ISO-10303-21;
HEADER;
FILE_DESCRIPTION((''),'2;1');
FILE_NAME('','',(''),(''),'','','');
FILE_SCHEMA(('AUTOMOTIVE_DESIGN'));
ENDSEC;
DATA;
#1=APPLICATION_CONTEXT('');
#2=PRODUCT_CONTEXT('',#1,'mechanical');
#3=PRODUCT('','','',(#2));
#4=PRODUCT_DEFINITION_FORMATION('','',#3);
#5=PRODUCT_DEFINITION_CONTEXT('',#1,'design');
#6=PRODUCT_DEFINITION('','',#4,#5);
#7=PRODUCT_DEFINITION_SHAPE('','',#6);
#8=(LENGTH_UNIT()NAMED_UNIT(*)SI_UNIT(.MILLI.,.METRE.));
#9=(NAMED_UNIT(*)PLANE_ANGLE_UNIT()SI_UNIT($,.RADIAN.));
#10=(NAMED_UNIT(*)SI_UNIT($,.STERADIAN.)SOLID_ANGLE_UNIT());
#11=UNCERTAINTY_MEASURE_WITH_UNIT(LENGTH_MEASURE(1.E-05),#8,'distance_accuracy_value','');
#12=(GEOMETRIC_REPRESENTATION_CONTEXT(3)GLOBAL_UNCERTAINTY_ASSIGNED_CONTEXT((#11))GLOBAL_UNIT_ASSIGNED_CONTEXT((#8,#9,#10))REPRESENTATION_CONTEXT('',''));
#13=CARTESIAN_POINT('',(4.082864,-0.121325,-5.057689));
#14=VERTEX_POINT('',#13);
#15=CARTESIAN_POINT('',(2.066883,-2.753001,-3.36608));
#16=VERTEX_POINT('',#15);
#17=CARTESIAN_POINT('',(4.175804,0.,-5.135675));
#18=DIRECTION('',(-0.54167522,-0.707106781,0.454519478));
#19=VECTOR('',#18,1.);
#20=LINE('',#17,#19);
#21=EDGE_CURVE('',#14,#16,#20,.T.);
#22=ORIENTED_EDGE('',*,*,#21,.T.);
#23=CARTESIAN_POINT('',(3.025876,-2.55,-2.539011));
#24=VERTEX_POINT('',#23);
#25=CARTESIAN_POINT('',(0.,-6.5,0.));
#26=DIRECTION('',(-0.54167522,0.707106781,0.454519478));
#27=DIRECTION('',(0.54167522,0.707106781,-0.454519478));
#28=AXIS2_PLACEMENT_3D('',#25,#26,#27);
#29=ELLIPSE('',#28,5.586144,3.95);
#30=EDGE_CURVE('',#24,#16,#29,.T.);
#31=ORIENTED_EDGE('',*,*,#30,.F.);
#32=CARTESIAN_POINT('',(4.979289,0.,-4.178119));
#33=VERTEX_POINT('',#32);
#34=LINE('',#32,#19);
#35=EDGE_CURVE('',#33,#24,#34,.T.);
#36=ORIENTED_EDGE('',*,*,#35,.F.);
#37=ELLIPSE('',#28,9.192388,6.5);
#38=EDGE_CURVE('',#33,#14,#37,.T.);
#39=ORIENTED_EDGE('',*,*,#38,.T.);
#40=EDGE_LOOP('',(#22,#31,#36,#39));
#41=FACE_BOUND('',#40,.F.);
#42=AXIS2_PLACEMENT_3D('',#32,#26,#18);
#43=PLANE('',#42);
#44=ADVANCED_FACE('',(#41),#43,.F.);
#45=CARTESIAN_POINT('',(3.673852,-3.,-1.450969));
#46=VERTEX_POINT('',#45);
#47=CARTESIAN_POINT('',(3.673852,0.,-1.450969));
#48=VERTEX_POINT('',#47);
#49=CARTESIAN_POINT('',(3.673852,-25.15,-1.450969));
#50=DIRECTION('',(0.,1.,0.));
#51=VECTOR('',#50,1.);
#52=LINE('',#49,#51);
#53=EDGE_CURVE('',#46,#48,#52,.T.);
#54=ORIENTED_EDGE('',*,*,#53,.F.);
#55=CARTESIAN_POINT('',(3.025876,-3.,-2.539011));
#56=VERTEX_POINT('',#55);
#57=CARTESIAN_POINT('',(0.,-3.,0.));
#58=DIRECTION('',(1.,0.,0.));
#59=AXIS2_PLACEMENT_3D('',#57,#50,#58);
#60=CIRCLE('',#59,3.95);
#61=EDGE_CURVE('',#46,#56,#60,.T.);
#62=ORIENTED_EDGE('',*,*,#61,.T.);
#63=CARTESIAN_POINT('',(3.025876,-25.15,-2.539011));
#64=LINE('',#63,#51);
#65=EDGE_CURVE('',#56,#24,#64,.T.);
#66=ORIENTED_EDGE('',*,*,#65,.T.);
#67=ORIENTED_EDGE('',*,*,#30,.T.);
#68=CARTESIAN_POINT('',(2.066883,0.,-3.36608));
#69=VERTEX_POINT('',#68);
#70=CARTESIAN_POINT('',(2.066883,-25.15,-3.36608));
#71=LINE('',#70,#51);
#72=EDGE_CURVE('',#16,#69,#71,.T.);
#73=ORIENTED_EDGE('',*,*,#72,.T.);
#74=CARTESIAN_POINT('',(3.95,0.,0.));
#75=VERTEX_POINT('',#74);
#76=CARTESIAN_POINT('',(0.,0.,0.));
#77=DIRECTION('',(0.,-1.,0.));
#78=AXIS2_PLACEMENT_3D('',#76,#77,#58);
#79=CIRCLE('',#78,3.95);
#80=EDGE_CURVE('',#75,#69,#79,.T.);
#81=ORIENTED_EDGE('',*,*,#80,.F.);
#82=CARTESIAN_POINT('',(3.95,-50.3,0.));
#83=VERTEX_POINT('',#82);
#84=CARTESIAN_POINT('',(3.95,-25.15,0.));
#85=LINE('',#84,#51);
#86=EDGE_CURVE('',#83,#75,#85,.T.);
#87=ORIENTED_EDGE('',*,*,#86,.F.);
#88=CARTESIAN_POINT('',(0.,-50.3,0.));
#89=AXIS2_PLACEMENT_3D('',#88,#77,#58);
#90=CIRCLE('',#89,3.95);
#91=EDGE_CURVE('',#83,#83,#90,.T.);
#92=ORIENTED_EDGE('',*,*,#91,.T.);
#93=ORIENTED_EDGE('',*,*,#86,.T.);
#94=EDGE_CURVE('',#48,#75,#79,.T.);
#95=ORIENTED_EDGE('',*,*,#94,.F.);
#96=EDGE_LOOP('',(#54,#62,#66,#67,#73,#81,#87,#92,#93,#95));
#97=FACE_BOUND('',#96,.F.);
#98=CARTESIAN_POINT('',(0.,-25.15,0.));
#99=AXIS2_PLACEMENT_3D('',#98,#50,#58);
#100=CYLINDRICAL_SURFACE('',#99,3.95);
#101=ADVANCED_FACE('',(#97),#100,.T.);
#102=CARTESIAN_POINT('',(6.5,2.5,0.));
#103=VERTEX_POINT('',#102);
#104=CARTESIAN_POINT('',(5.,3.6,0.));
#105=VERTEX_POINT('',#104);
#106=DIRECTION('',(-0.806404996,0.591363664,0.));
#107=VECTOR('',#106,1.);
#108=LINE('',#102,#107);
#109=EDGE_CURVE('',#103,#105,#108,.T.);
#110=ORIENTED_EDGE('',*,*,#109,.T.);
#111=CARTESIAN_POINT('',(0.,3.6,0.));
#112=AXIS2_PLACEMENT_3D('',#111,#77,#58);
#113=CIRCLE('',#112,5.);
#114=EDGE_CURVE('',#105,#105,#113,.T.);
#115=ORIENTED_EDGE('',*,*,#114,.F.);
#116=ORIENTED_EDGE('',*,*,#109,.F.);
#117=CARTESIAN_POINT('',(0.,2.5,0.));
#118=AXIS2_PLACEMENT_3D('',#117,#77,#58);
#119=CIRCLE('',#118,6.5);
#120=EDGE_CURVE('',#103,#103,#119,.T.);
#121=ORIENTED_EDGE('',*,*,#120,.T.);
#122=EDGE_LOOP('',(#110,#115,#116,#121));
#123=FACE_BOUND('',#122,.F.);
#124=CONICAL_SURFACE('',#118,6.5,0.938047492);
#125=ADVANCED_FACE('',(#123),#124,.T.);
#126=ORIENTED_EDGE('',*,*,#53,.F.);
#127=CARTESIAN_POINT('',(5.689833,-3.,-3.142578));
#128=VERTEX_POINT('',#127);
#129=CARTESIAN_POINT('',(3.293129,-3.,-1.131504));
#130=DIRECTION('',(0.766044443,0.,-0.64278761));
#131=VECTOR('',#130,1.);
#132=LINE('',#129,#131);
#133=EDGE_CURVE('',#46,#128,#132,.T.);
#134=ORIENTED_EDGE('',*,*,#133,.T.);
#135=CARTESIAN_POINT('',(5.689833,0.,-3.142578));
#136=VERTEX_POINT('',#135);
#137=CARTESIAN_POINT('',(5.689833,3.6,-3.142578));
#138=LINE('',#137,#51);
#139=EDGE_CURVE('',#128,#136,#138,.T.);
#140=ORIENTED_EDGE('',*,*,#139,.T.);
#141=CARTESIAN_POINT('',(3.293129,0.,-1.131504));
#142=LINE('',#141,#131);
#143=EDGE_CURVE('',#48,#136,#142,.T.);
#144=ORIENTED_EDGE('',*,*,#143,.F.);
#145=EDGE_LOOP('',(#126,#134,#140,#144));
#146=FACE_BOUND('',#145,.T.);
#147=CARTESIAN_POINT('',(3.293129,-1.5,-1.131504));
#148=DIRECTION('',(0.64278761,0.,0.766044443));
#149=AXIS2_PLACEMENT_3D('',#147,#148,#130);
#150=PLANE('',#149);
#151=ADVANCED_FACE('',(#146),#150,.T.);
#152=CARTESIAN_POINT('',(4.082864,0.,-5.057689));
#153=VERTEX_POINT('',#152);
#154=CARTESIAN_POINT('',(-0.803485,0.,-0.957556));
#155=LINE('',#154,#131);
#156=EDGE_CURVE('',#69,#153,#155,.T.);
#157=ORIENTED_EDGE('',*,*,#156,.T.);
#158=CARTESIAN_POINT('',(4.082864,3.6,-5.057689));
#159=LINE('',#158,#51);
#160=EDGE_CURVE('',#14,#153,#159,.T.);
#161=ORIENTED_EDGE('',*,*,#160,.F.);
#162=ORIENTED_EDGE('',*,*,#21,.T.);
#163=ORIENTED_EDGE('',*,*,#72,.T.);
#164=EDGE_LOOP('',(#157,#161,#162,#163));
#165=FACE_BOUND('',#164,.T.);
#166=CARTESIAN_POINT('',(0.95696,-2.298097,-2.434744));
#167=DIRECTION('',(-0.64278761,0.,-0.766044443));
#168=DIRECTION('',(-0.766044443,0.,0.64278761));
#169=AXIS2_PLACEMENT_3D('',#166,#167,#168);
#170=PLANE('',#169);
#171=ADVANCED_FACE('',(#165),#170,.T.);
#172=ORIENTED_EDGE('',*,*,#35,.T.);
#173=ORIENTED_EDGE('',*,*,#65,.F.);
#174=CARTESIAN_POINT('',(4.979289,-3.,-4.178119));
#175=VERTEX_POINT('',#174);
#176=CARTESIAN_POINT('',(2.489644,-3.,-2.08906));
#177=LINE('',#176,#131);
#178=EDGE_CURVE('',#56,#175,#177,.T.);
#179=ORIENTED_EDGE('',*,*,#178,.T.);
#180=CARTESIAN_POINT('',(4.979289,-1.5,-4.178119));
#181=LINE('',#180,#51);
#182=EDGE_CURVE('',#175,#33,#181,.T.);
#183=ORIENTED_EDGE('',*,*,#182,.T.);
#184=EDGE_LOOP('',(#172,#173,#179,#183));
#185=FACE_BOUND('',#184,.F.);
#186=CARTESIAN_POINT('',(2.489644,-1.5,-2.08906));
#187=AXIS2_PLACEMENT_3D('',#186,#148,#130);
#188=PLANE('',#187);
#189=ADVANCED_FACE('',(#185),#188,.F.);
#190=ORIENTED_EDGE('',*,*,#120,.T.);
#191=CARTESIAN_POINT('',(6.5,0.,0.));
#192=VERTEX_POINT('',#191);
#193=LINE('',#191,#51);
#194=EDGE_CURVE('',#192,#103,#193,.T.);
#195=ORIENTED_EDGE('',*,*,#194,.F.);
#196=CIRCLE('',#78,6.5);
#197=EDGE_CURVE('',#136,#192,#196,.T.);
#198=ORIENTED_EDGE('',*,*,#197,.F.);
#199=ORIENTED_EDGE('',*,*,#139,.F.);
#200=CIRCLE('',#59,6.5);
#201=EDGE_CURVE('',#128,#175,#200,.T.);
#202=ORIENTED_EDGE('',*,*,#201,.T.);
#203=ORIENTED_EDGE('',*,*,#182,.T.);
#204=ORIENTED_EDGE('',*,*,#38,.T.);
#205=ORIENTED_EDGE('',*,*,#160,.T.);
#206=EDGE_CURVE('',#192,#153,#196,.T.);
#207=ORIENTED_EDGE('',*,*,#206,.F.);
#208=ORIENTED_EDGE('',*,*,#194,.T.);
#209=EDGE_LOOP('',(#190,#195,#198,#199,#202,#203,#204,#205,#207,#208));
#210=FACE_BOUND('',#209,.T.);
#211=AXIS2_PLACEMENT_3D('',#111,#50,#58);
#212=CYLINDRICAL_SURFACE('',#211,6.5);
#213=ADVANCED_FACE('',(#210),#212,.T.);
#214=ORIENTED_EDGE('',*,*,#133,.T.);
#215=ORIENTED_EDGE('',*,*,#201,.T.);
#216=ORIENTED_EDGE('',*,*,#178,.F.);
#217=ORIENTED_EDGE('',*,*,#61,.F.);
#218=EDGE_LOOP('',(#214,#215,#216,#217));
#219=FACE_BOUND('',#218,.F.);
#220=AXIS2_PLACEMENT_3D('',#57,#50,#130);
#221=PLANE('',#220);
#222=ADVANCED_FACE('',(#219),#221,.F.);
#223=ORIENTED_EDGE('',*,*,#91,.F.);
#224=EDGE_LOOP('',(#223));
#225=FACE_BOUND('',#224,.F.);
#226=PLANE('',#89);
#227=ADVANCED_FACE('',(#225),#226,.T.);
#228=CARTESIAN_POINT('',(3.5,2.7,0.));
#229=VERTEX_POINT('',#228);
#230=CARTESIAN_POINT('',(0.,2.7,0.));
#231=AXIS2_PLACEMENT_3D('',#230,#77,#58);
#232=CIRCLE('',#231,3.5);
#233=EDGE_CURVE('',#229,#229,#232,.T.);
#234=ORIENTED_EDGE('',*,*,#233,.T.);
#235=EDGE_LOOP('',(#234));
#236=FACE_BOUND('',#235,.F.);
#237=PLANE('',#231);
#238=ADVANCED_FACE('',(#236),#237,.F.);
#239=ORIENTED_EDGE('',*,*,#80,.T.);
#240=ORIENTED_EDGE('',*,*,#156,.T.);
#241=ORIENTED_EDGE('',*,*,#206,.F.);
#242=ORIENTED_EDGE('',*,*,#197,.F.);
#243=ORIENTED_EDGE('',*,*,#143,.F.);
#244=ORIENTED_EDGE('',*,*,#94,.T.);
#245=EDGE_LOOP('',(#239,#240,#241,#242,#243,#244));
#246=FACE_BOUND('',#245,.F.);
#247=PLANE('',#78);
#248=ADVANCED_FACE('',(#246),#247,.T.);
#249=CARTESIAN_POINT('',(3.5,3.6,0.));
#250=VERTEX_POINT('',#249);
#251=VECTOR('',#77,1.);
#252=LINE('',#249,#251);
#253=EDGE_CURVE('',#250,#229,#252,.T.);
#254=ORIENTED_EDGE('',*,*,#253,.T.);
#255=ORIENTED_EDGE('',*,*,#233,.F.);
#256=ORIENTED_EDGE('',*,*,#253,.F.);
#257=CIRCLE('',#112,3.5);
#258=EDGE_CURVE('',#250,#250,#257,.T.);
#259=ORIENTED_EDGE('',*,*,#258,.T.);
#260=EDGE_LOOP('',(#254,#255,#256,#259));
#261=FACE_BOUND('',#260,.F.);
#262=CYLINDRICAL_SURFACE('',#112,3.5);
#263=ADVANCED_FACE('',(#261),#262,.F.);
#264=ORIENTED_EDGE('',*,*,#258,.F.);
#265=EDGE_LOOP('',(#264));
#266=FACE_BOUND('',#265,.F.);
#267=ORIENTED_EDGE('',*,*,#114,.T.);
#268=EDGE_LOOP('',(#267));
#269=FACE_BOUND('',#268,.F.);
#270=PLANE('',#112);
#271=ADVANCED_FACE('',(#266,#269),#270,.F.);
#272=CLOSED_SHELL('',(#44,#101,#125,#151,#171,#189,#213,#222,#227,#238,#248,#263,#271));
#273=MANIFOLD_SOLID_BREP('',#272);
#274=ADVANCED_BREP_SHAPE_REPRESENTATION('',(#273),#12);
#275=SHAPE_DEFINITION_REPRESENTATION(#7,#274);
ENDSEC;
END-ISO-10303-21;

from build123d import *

# Parameters (mm, degrees)
SKETCH1_W           = 3.95
SKETCH1_H           = 50.3
BOSS_EXTRUDE1_DEPTH = 1.25
SKETCH4_W           = 6.5
SKETCH4_H           = 3
BOSS_EXTRUDE2_DEPTH = 1.25
SKETCH5_OUTSIDE_W   = 26.39
SKETCH5_OUTSIDE_H   = 26.39
SKETCH5_OUTSIDE_R   = 6.5
CUT_EXTRUDE1_DEPTH  = 54.9


with BuildPart() as part:
    # Sketch1 → Revolve1 (revolve)
    with BuildSketch(Plane.XY):
        with Locations((1.975, -25.15)):
            Rectangle(SKETCH1_W, SKETCH1_H)
    revolve(axis=Axis((0, 55, 0), (0, -1, 0)))

    # Sketch2 → Revolve2 (revolve)
    with BuildSketch(Plane.XY):
        Polygon((0, 0), (6.5, 0), (6.5, 2.5), (5, 3.6), (3.5, 3.6), (3.5, 2.7), (0, 2.7), align=None)
    revolve(axis=Axis((0, 55, 0), (0, -1, 0)))

    # Sketch3 → Boss-Extrude1 (add)
    with BuildSketch(Plane(origin=(0, 0, 0), x_dir=(0.766044443, 0, -0.64278761), z_dir=(0.64278761, 0, 0.766044443))):
        Polygon((0, 0), (6.5, 0), (0, -6.5), align=None)
    extrude(amount=-BOSS_EXTRUDE1_DEPTH)

    # Sketch4 → Boss-Extrude2 (add)
    with BuildSketch(Plane(origin=(0, 0, 0), x_dir=(0.766044443, 0, -0.64278761), z_dir=(0.64278761, 0, 0.766044443))):
        with Locations((3.25, -1.5)):
            Rectangle(SKETCH4_W, SKETCH4_H)
    extrude(amount=BOSS_EXTRUDE2_DEPTH)

    # Sketch5 outside → Cut-Extrude1 (cut, through all)
    with BuildSketch(Plane(origin=(0, 3.6, 0), x_dir=(1, 0, 0), z_dir=(0, 1, 0))):
        Rectangle(SKETCH5_OUTSIDE_W, SKETCH5_OUTSIDE_H)
        Circle(SKETCH5_OUTSIDE_R, mode=Mode.SUBTRACT)
    extrude(amount=-CUT_EXTRUDE1_DEPTH, mode=Mode.SUBTRACT)


solid = part.part
